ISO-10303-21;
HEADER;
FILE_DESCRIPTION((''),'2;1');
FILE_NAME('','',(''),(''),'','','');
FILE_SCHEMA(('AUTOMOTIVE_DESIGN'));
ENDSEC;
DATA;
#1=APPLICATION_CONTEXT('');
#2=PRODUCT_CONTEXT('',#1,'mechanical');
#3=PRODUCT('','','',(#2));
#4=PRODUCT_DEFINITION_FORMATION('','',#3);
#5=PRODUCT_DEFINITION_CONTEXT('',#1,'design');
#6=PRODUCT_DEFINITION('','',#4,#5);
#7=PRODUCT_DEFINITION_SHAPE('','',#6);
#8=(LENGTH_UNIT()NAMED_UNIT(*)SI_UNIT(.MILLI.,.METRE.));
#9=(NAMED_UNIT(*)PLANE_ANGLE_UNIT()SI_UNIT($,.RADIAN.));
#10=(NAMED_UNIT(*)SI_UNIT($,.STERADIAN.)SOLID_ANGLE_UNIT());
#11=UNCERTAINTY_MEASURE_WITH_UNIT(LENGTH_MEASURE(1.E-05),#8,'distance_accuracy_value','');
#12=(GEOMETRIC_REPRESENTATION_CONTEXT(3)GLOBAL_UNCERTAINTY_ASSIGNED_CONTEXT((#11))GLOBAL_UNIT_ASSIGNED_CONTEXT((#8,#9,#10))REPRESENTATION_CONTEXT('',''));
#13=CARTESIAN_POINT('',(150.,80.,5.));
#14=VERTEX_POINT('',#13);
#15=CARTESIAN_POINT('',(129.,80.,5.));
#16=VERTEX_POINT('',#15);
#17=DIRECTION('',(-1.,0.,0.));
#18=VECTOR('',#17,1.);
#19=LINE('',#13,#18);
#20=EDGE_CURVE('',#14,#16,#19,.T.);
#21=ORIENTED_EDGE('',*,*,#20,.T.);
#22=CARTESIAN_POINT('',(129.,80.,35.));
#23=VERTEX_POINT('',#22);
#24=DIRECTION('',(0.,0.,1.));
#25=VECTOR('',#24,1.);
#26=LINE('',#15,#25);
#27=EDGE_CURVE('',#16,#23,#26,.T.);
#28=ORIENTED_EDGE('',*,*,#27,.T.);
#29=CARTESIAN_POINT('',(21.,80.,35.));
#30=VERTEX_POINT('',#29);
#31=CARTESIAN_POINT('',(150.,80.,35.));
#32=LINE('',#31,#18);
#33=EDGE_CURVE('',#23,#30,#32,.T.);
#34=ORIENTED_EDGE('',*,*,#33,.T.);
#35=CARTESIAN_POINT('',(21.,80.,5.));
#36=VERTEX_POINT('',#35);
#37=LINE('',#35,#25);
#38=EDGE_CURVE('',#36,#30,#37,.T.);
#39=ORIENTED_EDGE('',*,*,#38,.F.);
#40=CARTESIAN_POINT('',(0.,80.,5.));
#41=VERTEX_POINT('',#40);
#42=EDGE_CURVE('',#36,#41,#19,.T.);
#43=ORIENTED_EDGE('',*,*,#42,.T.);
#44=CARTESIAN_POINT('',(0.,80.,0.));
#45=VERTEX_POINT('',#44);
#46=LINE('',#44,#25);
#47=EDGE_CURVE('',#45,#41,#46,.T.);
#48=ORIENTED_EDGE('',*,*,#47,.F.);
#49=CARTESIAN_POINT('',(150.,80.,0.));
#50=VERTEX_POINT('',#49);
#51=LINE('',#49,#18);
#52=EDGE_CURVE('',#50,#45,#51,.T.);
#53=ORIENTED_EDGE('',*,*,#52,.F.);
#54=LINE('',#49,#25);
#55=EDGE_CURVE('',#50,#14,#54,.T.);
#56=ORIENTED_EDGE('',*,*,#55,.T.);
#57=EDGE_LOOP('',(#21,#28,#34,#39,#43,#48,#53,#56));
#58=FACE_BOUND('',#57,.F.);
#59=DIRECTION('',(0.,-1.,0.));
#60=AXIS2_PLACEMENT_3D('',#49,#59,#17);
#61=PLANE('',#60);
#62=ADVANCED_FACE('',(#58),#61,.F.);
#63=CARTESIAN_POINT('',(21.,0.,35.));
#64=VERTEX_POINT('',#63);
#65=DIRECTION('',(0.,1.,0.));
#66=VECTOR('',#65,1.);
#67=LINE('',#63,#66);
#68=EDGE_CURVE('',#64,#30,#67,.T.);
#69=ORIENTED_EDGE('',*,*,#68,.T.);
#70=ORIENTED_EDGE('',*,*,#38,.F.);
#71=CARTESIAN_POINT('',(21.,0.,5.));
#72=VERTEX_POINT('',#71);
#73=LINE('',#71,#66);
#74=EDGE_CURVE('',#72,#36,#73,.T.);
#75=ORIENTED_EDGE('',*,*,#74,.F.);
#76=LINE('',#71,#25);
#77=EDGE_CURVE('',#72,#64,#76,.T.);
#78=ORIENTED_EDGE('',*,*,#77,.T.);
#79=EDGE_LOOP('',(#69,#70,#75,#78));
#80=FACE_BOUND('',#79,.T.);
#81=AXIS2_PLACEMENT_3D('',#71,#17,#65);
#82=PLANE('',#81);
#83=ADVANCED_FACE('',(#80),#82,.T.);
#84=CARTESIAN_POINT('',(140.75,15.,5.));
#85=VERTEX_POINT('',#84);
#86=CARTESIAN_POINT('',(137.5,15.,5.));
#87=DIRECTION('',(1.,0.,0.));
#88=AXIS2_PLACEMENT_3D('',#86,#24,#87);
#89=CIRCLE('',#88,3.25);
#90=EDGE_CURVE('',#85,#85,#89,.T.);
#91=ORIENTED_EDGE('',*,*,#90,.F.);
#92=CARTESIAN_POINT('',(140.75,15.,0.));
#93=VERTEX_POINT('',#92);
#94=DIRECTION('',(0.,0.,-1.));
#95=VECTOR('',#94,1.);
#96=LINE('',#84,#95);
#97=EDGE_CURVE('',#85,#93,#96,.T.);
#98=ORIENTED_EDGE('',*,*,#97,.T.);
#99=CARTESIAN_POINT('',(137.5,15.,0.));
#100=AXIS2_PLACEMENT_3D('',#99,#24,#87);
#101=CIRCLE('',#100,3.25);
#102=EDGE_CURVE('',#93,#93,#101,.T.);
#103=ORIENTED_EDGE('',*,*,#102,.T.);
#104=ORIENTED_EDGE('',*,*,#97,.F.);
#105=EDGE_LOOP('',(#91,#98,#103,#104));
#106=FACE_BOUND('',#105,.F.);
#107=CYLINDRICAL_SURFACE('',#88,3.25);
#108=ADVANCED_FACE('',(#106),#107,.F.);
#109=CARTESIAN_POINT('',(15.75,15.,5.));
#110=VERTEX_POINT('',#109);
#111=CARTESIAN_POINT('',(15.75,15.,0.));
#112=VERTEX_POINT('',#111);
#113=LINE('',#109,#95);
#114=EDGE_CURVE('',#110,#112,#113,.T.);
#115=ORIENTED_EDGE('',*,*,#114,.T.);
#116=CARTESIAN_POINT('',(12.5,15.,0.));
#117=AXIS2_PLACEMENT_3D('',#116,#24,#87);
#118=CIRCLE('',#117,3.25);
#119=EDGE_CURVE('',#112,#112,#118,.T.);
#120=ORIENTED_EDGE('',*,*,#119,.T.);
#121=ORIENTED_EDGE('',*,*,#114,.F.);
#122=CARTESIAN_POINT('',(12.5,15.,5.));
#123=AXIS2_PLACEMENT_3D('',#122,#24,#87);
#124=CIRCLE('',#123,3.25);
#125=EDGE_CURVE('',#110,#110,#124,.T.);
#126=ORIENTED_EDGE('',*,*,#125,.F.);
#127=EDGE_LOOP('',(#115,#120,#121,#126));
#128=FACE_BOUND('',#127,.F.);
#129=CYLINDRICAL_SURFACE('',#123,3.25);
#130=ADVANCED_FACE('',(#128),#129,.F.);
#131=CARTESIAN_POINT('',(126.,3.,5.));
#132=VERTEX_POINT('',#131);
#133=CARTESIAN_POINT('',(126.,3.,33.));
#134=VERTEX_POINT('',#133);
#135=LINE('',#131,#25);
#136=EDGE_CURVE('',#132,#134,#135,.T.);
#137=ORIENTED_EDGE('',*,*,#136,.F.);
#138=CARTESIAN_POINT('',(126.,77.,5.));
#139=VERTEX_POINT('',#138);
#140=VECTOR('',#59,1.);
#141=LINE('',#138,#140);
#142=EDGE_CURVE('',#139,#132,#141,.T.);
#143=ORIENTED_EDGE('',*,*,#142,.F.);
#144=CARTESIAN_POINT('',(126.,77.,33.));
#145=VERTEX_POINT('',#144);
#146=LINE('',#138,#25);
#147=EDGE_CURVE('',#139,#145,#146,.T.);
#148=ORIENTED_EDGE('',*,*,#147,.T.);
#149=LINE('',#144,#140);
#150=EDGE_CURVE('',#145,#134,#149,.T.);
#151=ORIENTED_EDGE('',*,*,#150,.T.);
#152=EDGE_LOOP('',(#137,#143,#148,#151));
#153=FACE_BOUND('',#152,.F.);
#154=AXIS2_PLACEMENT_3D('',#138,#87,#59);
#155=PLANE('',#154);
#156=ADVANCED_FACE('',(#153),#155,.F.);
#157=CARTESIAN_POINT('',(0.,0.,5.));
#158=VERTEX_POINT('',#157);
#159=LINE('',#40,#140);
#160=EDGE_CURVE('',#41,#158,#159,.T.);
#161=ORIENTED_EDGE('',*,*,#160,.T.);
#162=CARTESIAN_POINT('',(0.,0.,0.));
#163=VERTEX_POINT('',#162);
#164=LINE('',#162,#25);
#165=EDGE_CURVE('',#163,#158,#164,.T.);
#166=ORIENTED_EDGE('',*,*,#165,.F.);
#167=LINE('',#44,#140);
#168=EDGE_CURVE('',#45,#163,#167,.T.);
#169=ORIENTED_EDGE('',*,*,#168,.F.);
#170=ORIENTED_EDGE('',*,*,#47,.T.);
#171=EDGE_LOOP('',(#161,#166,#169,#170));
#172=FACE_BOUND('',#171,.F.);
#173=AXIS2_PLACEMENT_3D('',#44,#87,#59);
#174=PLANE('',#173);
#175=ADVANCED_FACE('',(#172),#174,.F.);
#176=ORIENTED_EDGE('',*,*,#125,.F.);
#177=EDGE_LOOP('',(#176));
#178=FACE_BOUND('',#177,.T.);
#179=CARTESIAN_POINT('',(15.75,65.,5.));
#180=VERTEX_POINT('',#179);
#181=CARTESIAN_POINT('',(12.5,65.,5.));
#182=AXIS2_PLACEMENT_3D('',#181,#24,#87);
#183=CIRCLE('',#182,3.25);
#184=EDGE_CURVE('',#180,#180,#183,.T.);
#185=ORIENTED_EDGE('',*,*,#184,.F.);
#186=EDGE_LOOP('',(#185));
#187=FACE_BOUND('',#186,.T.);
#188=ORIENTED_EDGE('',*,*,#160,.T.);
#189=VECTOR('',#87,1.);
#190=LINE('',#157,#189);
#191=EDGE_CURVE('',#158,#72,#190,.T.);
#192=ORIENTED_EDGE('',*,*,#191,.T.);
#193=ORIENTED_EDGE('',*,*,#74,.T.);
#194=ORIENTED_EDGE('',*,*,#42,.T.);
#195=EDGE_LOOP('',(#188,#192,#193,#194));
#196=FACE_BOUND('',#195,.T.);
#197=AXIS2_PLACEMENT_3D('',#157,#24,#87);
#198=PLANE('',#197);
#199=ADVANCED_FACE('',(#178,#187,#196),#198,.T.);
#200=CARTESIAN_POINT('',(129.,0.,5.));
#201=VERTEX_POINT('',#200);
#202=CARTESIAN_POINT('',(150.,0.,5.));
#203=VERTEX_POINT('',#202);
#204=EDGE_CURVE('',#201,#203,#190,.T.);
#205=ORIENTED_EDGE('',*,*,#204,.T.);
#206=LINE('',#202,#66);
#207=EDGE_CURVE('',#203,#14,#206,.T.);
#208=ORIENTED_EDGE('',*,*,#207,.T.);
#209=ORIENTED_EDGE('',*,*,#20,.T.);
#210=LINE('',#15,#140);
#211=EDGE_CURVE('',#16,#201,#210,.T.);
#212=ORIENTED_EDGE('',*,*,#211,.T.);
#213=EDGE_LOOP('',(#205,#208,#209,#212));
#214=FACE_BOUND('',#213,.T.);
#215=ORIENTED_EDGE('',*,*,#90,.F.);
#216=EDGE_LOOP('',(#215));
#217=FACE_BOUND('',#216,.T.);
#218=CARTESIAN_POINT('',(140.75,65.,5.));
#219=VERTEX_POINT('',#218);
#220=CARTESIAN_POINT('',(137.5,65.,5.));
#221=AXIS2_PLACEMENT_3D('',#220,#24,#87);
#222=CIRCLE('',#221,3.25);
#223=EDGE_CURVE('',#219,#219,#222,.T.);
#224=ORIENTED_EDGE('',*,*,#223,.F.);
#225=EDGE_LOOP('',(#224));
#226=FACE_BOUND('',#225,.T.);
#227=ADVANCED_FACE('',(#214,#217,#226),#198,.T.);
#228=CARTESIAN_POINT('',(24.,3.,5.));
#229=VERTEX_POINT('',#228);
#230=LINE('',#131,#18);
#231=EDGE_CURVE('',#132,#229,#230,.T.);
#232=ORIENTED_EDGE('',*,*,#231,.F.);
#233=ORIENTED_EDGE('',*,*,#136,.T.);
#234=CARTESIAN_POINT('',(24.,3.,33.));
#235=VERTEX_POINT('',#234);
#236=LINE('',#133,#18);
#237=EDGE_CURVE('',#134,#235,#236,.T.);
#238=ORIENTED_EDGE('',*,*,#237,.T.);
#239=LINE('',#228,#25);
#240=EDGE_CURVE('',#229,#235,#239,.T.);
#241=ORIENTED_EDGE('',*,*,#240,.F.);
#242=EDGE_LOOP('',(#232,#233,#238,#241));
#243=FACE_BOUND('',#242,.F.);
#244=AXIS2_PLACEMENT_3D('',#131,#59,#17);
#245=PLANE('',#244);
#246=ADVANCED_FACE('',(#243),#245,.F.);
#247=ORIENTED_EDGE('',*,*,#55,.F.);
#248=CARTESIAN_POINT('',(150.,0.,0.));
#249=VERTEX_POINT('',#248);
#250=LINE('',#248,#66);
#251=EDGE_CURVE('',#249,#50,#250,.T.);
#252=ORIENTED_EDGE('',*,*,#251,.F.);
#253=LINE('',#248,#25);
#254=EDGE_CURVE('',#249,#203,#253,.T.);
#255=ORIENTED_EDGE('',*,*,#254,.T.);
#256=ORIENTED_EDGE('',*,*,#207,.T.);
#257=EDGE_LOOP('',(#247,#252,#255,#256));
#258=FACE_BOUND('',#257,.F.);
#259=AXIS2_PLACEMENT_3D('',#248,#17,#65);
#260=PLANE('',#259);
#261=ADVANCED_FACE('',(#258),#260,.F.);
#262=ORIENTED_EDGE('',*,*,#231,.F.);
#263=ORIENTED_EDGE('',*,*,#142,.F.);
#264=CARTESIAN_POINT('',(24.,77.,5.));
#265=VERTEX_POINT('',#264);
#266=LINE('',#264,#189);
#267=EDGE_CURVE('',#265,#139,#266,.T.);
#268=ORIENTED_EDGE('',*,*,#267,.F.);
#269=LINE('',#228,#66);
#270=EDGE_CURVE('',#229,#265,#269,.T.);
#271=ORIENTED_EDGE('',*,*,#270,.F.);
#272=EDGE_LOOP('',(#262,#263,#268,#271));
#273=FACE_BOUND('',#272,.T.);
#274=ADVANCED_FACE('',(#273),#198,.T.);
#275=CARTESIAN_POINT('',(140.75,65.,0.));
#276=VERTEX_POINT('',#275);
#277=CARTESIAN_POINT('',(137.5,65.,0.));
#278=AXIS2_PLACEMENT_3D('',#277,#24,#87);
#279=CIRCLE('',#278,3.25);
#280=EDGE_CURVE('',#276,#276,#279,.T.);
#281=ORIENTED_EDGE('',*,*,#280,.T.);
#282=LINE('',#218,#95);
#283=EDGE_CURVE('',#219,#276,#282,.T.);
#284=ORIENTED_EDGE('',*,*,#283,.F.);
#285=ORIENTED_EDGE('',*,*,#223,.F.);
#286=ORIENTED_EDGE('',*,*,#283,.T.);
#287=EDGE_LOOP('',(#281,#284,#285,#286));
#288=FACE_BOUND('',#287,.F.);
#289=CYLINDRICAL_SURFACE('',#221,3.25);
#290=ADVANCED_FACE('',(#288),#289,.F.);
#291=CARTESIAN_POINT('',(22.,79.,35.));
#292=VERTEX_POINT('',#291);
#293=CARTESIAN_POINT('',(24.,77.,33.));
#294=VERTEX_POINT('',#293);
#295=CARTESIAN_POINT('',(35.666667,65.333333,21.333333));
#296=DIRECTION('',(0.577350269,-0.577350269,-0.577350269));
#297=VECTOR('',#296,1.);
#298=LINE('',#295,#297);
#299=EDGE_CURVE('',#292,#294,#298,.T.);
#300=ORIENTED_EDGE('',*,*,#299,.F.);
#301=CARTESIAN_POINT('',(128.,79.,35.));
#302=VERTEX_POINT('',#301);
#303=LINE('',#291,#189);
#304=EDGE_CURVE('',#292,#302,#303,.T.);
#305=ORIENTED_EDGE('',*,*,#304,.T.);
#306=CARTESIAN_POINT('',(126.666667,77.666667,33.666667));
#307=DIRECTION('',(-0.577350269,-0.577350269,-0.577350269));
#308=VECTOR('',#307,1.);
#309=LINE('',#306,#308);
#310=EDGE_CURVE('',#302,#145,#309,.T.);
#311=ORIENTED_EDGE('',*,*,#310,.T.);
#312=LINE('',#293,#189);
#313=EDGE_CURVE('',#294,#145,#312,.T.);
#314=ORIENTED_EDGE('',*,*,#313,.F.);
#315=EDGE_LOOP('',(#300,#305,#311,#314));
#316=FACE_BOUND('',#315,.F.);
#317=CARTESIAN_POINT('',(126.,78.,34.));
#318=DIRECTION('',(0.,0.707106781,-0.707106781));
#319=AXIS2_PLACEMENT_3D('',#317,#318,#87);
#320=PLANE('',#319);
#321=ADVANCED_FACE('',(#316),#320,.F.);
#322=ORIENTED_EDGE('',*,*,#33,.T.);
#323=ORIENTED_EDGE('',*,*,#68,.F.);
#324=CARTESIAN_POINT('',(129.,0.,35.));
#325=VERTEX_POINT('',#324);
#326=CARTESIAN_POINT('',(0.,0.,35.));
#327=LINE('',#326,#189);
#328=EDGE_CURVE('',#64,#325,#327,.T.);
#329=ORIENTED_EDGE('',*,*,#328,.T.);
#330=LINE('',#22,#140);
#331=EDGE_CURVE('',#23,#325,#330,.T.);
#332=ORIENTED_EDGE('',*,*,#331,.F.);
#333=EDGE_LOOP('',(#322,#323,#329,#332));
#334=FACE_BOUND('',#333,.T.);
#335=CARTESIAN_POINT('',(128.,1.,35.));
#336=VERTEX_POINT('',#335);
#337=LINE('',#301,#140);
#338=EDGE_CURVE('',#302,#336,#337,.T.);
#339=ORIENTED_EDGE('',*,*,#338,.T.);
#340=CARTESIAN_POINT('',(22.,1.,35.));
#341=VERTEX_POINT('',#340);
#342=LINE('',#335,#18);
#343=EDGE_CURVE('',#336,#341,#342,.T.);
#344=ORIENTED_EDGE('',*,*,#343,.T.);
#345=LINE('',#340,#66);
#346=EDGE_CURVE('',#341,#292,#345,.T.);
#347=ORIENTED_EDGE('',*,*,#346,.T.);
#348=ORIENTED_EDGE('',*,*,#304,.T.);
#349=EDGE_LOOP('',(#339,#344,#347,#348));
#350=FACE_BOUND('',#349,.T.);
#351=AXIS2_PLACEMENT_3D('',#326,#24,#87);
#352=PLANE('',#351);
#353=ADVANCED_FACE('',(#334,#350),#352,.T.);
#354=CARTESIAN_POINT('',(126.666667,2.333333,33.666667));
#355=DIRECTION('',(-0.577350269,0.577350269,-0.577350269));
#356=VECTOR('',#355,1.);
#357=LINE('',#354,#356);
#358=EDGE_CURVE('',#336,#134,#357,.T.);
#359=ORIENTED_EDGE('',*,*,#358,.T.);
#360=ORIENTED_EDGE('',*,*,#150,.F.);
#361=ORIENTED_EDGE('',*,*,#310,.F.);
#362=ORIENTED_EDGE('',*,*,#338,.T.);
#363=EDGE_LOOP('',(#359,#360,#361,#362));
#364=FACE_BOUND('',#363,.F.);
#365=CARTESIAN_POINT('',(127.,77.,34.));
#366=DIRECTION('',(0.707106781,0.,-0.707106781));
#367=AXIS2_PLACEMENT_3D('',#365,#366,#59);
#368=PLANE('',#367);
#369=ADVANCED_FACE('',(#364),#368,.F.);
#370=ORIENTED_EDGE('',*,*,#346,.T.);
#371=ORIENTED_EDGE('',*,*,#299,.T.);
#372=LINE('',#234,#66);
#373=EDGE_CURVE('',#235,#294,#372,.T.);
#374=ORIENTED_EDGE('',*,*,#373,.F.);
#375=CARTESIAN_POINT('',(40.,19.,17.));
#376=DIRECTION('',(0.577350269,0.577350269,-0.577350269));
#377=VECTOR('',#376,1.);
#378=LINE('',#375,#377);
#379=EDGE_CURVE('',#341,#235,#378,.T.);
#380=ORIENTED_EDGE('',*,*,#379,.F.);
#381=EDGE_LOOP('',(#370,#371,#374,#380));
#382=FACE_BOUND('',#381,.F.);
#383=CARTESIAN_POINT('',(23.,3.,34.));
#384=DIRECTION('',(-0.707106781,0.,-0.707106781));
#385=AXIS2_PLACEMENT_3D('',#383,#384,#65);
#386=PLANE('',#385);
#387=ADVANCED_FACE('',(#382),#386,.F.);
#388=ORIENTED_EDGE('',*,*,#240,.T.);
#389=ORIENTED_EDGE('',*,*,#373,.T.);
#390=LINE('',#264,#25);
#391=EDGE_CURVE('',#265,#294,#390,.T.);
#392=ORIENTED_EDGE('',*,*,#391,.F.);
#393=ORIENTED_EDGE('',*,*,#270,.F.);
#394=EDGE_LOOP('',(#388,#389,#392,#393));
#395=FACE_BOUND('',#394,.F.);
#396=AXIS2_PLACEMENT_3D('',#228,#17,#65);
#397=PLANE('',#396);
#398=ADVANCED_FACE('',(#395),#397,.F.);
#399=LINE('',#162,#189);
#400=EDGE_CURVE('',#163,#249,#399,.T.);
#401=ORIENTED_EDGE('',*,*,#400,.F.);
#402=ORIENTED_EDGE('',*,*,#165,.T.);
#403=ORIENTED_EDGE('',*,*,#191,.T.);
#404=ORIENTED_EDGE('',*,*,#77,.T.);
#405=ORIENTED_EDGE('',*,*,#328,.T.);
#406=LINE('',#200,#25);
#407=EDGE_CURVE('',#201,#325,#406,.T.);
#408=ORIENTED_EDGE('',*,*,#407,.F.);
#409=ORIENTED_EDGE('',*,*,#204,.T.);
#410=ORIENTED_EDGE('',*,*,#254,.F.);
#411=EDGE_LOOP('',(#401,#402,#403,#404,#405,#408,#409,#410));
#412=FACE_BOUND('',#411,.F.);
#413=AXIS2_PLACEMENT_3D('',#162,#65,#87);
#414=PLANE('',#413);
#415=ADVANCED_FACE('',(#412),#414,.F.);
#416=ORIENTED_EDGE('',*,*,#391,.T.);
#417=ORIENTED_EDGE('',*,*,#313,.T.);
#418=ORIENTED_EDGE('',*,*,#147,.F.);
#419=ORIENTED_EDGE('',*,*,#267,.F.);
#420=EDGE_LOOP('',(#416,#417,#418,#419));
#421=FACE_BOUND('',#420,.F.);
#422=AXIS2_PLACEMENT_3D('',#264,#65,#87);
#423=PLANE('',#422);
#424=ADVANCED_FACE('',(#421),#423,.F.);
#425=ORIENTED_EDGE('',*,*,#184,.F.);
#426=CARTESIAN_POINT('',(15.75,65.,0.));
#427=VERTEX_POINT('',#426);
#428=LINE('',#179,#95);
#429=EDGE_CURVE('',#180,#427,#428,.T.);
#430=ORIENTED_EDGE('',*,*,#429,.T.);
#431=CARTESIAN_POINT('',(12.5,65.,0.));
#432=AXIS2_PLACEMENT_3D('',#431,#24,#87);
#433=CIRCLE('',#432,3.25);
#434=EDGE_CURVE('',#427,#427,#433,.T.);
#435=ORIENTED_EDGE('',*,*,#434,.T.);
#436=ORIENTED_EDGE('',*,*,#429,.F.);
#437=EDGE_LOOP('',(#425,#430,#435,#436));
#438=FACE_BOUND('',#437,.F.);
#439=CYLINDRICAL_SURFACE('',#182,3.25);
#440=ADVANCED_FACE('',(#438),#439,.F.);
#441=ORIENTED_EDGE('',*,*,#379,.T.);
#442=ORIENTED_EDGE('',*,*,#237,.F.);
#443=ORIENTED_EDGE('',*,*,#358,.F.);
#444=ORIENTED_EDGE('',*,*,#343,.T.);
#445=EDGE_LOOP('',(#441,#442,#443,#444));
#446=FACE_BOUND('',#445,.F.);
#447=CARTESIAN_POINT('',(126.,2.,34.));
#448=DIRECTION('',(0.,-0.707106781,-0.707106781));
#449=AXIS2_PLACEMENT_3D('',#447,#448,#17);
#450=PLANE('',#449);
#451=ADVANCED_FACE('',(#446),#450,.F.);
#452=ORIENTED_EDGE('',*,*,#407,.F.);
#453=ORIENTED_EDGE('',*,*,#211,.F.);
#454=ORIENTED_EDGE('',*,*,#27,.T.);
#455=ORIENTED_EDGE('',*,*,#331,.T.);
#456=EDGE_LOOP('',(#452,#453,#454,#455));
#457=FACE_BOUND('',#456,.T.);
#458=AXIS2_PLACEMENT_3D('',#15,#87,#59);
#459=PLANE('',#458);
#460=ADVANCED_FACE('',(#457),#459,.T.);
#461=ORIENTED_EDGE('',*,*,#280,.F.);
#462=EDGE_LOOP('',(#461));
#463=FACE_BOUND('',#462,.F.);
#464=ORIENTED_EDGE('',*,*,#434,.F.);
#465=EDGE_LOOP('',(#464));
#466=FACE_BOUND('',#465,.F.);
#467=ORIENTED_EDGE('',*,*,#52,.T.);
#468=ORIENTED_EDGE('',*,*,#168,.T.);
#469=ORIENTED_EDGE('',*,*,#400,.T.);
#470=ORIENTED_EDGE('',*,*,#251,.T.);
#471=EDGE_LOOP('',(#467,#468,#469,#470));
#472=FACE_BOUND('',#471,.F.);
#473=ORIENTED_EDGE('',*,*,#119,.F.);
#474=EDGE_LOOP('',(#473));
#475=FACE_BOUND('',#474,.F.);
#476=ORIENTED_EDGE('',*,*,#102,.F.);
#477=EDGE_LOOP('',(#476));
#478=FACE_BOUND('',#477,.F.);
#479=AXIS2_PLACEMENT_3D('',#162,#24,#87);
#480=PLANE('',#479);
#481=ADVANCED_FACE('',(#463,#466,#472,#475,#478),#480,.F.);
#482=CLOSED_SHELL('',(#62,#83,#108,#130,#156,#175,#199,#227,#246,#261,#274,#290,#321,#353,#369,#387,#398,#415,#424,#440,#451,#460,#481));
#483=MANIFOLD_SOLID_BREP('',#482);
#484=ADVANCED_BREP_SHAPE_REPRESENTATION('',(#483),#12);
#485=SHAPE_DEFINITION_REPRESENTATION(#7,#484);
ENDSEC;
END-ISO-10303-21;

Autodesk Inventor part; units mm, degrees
ref_plane "YZ Plane" through (0, 0, 0) normal (1, 0, 0) x (0, 1, 0)
ref_plane "XZ Plane" through (0, 0, 0) normal (0, 1, 0) x (-1, 0, 0)
ref_plane "XY Plane" through (0, 0, 0) normal (0, 0, 1) x (1, 0, 0)
sketch "Sketch1" plane through (0, 0, 0) normal (0, 0, 1) x (1, 0, 0)
  line L0 (0, 0) -> (150, 0)
  line L1 (150, 0) -> (150, 80)
  line L2 (150, 80) -> (0, 80)
  line L3 (0, 80) -> (0, 0)
  dimension "d0" = 150
  dimension "d1" = 80
extrude "Extrusion1" add sketch "Sketch1" along normal blind 5
sketch "Sketch2" plane through (0, 0, 5) normal (0, 0, 1) x (1, 0, 0)
  line L0 (0, 0) -> (150, 0) projected
  line L1 (150, 80) -> (0, 80) projected
  line L2 (129, 0) -> (21, 0)
  line L3 (21, 0) -> (21, 80)
  line L4 (21, 80) -> (129, 80)
  line L5 (129, 80) -> (129, 0)
  line L6 (126, 3) -> (24, 3)
  line L7 (24, 3) -> (24, 77)
  line L8 (24, 77) -> (126, 77)
  line L9 (126, 77) -> (126, 3)
  line L10 (150, 0) -> (150, 80) projected
  point P0 (129, 80)
  point P1 (21, 0)
  dimension "d4" = 108
  dimension "d5" = 102
  dimension "d6" = 3
  dimension "d7" = 3
  dimension "d8" = 3
  dimension "d9" = 21
extrude "Extrusion2" add sketch "Sketch2" along normal blind 30 contours L3 L1 L5 L0
chamfer "Chamfer1" distance 2 angle 45 1 edges at (75, 3, 35)
chamfer "Chamfer2" distance 2 angle 45 1 edges at (126, 40, 35)
chamfer "Chamfer3" distance 2 angle 45 2 edges at (75, 77, 35) (24, 40, 35)
sketch "Sketch3" plane through (0, 0, 5) normal (0, 0, 1) x (1, 0, 0)
  circle A0 centre (137.5, 15) radius 3.25
  circle A1 centre (137.5, 65) radius 3.25
  line L0 (150, 0) -> (150, 80) projected
  line L1 (129, 0) -> (150, 0) projected
  line L2 (75, -16.6248) -> (75, 70.7208)
  line L3 (0, 80) -> (0, 0) projected
  circle A2 centre (12.5, 15) radius 3.25
  circle A3 centre (12.5, 65) radius 3.25
  dimension "d21" = 6.5
  dimension "d22" = 6.5
  dimension "d23" = 12.5
  dimension "d24" = 12.5
  dimension "d25" = 50
  dimension "d26" = 15
  dimension "d27" = 75
extrude "Extrusion3" cut sketch "Sketch3" against normal blind 60
properties part number "MediumHolder"
